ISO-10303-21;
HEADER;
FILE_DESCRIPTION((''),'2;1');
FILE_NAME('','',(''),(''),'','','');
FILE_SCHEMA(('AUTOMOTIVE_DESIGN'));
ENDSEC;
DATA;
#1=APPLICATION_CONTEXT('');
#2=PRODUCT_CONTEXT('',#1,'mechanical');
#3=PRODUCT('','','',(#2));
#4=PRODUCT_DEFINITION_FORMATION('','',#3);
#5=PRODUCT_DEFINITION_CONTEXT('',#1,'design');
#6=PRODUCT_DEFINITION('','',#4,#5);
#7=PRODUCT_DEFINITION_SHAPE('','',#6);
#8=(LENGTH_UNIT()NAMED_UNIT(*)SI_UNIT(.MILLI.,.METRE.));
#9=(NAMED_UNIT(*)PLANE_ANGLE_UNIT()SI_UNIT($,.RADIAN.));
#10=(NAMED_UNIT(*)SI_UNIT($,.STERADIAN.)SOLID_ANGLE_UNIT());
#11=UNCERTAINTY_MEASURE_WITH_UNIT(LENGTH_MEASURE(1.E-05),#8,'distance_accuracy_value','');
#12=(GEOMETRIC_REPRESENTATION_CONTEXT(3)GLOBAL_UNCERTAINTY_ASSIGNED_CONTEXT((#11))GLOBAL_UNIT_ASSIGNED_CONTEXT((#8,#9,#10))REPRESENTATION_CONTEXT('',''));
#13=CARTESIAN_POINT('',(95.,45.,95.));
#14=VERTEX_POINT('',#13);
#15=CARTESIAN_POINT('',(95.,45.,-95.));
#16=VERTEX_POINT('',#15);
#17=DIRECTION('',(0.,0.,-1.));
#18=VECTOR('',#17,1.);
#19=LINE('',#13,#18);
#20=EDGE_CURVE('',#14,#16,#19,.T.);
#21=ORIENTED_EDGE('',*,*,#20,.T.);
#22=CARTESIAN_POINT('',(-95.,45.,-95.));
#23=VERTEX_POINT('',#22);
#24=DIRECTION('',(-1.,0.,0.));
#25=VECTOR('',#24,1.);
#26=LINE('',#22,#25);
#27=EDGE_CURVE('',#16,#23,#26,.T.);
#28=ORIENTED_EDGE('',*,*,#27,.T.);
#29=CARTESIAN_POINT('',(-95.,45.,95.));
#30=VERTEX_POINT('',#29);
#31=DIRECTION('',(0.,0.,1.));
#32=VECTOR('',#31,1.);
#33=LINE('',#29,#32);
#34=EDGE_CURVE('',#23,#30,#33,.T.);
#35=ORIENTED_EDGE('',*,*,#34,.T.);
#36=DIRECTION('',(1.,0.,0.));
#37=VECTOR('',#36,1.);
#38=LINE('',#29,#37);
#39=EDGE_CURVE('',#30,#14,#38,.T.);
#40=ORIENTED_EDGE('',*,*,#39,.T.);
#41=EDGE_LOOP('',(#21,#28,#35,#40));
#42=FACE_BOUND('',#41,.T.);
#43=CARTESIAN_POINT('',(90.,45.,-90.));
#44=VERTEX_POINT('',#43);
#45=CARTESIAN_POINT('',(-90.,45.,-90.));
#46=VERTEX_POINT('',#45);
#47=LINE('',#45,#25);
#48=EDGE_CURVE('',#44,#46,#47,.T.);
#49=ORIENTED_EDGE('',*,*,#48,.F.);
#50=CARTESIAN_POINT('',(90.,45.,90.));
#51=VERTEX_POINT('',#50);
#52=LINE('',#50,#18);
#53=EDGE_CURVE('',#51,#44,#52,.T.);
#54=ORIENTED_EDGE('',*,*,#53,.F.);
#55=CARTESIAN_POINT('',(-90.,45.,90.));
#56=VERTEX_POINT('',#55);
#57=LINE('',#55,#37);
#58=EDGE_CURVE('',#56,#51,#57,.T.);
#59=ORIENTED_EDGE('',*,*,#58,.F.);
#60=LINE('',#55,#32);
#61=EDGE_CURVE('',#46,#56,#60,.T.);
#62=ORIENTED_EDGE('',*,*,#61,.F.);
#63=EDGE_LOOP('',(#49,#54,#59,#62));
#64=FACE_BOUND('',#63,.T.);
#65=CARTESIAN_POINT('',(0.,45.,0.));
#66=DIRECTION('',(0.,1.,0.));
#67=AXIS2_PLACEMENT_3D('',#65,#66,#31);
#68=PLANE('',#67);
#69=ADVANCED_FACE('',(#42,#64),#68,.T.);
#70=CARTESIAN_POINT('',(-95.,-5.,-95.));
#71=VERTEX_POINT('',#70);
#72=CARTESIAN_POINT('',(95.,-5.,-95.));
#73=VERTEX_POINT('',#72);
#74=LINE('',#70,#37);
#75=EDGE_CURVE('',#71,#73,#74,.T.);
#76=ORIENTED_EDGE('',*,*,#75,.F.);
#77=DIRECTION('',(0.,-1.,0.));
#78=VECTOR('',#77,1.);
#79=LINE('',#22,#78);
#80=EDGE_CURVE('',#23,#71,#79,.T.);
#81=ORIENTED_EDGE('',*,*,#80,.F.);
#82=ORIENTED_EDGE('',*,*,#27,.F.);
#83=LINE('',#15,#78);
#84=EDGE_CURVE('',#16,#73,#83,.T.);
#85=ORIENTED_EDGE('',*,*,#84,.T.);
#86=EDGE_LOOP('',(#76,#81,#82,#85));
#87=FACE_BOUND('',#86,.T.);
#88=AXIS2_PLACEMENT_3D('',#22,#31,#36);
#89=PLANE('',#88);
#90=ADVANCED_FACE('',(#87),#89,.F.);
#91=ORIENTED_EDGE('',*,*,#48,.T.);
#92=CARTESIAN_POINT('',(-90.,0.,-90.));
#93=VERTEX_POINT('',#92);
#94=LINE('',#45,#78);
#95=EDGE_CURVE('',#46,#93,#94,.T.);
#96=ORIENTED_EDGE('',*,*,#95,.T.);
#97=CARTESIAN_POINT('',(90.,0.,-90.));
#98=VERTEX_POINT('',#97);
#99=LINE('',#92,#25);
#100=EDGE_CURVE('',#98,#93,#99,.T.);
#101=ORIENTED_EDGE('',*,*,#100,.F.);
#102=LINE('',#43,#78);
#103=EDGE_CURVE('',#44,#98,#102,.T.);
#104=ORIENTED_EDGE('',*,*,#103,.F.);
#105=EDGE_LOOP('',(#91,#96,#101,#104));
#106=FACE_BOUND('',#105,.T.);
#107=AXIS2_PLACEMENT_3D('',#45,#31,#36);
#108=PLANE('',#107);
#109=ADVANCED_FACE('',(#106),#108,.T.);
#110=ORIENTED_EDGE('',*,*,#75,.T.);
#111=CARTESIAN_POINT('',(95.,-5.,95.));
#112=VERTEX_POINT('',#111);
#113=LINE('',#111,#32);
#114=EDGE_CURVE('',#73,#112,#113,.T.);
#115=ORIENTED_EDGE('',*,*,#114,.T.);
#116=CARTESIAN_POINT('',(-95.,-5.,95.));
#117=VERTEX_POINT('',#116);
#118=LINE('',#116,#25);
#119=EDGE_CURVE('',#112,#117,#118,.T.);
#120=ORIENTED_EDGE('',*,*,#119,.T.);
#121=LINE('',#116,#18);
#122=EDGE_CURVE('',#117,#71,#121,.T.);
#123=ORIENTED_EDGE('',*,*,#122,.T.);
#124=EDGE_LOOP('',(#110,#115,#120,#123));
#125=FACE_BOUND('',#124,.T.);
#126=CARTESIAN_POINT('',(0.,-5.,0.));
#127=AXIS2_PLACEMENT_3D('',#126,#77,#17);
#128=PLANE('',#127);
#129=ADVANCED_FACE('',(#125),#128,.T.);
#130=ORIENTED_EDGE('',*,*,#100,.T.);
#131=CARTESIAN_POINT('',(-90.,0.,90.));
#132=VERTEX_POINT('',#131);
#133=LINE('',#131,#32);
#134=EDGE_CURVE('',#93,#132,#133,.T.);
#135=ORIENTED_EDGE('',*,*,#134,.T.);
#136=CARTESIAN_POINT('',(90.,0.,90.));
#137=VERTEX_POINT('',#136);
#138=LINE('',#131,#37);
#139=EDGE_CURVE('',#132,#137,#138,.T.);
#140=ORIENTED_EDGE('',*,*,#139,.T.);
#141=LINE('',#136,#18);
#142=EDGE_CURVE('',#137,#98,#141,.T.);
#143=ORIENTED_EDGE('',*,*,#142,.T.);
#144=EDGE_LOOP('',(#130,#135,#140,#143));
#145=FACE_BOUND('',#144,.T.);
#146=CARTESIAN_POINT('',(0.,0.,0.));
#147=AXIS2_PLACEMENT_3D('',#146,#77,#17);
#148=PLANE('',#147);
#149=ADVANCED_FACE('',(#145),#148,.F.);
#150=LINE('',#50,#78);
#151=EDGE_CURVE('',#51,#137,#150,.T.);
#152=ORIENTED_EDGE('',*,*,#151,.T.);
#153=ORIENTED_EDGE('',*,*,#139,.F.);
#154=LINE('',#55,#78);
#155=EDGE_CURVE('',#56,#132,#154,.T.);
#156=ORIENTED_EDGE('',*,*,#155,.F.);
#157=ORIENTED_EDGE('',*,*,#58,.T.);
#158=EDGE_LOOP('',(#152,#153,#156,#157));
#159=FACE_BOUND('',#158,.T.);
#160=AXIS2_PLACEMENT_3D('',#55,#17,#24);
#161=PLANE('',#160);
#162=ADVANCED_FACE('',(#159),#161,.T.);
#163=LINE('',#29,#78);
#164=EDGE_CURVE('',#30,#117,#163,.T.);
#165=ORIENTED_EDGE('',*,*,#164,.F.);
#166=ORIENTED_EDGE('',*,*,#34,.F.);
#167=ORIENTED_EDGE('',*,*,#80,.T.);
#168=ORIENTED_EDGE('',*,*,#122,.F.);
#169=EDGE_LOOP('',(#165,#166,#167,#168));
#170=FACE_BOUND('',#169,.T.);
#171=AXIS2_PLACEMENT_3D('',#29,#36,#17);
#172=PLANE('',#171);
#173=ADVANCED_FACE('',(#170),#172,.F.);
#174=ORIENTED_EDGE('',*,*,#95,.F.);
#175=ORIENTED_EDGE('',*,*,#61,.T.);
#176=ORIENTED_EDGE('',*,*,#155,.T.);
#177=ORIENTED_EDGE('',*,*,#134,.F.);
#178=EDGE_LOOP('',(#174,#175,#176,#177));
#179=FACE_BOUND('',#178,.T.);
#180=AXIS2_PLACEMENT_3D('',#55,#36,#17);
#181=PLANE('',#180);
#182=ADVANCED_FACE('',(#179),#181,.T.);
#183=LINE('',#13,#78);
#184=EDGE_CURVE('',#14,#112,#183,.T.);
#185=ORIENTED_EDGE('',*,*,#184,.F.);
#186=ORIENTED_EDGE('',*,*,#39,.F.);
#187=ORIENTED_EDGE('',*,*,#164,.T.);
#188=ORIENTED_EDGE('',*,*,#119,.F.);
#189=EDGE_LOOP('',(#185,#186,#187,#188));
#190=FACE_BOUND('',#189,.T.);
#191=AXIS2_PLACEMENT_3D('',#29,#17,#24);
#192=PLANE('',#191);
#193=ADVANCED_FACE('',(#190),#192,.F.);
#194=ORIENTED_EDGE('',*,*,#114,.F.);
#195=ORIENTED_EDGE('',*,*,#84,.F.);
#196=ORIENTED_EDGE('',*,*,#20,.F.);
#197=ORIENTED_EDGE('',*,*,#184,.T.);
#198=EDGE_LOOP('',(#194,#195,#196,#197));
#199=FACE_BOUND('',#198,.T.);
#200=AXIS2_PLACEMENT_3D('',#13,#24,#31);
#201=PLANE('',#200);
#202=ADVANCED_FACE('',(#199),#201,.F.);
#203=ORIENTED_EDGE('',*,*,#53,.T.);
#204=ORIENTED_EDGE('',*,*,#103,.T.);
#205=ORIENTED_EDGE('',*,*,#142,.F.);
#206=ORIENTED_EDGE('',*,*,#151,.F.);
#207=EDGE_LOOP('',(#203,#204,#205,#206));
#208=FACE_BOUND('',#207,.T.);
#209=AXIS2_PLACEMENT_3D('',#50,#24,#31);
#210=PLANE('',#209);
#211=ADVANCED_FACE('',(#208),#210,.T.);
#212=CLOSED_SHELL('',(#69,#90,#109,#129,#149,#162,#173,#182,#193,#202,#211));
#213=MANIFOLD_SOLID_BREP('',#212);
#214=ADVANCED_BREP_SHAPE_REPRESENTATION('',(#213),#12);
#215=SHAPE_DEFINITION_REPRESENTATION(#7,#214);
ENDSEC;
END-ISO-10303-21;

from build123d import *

# Parameters (mm, degrees)
SKETCH1_W           = 190
SKETCH1_H           = 190
SKETCH1_W_2         = 180
SKETCH1_H_2         = 180
BOSS_EXTRUDE1_DEPTH = 45
SKETCH2_W           = 190
SKETCH2_H           = 190
BOSS_EXTRUDE2_DEPTH = 5


with BuildPart() as part:
    # Sketch1 → Boss-Extrude1 (new body)
    with BuildSketch(Plane(origin=(0, 0, 0), x_dir=(1, 0, 0), z_dir=(0, 1, 0))):
        Rectangle(SKETCH1_W, SKETCH1_H)
        Rectangle(SKETCH1_W_2, SKETCH1_H_2, mode=Mode.SUBTRACT)
    extrude(amount=BOSS_EXTRUDE1_DEPTH)

    # Sketch2 → Boss-Extrude2 (add)
    with BuildSketch(Plane.XZ):
        Rectangle(SKETCH2_W, SKETCH2_H)
    extrude(amount=BOSS_EXTRUDE2_DEPTH)


solid = part.part
